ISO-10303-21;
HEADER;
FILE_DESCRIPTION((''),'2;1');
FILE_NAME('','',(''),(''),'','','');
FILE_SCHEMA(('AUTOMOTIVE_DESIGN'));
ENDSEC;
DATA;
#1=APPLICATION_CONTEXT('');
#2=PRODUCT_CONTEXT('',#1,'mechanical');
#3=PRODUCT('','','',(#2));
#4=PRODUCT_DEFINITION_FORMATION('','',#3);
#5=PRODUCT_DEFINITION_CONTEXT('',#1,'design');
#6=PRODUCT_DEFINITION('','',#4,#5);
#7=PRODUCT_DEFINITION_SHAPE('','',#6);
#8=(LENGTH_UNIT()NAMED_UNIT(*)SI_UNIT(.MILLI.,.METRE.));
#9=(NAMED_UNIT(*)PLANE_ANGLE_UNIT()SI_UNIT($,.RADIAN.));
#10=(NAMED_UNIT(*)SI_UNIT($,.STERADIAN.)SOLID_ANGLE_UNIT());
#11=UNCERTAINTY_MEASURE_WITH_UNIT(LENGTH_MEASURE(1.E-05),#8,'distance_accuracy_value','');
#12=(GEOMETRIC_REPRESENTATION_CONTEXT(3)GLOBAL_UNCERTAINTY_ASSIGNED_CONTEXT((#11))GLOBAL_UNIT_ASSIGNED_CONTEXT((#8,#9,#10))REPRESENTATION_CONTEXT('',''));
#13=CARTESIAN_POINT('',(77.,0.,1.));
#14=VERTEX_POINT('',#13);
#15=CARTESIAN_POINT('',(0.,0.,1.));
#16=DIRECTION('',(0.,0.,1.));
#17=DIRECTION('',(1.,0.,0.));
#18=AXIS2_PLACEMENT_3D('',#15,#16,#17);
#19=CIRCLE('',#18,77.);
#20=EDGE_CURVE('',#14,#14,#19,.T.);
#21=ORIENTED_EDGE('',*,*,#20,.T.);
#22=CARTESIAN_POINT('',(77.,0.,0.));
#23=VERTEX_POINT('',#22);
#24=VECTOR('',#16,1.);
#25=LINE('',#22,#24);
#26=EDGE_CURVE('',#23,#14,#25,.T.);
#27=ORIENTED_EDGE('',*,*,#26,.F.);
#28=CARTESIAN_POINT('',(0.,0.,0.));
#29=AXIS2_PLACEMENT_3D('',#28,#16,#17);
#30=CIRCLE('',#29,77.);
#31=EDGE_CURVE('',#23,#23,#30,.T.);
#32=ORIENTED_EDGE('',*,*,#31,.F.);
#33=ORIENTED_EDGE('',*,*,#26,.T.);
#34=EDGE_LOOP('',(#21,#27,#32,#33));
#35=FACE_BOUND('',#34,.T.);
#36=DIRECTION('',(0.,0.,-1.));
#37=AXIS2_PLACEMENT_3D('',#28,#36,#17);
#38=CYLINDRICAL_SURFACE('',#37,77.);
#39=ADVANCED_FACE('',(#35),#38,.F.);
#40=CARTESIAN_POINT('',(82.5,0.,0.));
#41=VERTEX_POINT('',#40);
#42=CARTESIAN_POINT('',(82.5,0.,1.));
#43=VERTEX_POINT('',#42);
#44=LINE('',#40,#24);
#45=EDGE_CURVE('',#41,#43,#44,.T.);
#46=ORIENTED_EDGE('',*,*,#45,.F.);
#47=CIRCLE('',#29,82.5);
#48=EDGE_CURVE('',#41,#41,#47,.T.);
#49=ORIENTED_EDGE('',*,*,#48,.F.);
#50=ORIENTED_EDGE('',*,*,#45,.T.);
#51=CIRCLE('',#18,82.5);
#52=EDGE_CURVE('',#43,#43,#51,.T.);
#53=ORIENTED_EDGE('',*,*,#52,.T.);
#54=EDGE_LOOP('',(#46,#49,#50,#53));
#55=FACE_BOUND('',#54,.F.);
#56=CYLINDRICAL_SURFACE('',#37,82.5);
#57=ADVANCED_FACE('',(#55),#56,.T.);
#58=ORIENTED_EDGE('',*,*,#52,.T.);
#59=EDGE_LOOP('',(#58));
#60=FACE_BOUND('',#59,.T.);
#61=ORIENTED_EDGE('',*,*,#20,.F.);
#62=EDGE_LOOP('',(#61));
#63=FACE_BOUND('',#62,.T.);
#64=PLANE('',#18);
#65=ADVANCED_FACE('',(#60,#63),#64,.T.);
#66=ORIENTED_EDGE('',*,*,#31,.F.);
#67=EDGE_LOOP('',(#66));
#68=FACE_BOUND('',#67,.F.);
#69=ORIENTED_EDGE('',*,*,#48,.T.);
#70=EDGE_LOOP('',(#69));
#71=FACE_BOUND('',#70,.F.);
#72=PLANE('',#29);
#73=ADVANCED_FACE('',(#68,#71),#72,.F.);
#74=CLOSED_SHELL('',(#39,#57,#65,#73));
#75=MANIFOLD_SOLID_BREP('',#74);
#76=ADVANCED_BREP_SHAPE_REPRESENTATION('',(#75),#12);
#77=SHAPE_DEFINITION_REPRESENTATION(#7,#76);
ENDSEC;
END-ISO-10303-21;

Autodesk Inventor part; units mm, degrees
ref_plane "YZ Plane" through (0, 0, 0) normal (1, 0, 0) x (0, 1, 0)
ref_plane "Начальная плоскость" through (0, 0, 0) normal (0, 0, 1) x (1, 0, 0)
ref_plane "Конечная плоскость" through (0, 0, 1) normal (0, 0, 1) x (1, 0, 0)
sketch "Эскиз" plane through (0, 0, 0) normal (0, 0, 1) x (1, 0, 0)
  circle A0 centre (0, 0) radius 77
  circle A1 centre (0, 0) radius 82.5
  dimension "d1" = 5.5
  dimension "d8" = 165
extrude "Базовый элемент" add sketch "Эскиз" along normal up to surface (1 mm away) from surface at 0
sketch "Sketch3" plane through (0, 0, 0) normal (0, 0, 1) x (1, 0, 0)
  line L0 (0, 0) -> (10, 0)
ref_plane "Work Plane3" through (0, 0, 0) normal (0, -1, 0) x (1, 0, 0)
sketch "Sketch4" plane through (0, 0, 0) normal (0, -1, 0) x (1, 0, 0)
  line L0 (-2, 0) -> (12, 0)
  line L1 (-2, 1) -> (12, 1)
  dimension "d7" = 1
equation "\"d1\" = G_T"
equation "\"d8\" = G_H"
equation "\"d2\" = G_L"
equation "\"G_H\" = 165"
equation "\"G_T\" = 5.5"
equation "\"G_L\" = d7"
equation "\"G_OFFSET_START\" = 0"
equation "\"G_OFFSET_END\" = 0"
equation "\"d5\" = G_OFFSET_END + B_L"
equation "\"B_L\" = 1"
properties part number "ДСТУ 8936" material "Ст3сп ДСТУ 2651"
